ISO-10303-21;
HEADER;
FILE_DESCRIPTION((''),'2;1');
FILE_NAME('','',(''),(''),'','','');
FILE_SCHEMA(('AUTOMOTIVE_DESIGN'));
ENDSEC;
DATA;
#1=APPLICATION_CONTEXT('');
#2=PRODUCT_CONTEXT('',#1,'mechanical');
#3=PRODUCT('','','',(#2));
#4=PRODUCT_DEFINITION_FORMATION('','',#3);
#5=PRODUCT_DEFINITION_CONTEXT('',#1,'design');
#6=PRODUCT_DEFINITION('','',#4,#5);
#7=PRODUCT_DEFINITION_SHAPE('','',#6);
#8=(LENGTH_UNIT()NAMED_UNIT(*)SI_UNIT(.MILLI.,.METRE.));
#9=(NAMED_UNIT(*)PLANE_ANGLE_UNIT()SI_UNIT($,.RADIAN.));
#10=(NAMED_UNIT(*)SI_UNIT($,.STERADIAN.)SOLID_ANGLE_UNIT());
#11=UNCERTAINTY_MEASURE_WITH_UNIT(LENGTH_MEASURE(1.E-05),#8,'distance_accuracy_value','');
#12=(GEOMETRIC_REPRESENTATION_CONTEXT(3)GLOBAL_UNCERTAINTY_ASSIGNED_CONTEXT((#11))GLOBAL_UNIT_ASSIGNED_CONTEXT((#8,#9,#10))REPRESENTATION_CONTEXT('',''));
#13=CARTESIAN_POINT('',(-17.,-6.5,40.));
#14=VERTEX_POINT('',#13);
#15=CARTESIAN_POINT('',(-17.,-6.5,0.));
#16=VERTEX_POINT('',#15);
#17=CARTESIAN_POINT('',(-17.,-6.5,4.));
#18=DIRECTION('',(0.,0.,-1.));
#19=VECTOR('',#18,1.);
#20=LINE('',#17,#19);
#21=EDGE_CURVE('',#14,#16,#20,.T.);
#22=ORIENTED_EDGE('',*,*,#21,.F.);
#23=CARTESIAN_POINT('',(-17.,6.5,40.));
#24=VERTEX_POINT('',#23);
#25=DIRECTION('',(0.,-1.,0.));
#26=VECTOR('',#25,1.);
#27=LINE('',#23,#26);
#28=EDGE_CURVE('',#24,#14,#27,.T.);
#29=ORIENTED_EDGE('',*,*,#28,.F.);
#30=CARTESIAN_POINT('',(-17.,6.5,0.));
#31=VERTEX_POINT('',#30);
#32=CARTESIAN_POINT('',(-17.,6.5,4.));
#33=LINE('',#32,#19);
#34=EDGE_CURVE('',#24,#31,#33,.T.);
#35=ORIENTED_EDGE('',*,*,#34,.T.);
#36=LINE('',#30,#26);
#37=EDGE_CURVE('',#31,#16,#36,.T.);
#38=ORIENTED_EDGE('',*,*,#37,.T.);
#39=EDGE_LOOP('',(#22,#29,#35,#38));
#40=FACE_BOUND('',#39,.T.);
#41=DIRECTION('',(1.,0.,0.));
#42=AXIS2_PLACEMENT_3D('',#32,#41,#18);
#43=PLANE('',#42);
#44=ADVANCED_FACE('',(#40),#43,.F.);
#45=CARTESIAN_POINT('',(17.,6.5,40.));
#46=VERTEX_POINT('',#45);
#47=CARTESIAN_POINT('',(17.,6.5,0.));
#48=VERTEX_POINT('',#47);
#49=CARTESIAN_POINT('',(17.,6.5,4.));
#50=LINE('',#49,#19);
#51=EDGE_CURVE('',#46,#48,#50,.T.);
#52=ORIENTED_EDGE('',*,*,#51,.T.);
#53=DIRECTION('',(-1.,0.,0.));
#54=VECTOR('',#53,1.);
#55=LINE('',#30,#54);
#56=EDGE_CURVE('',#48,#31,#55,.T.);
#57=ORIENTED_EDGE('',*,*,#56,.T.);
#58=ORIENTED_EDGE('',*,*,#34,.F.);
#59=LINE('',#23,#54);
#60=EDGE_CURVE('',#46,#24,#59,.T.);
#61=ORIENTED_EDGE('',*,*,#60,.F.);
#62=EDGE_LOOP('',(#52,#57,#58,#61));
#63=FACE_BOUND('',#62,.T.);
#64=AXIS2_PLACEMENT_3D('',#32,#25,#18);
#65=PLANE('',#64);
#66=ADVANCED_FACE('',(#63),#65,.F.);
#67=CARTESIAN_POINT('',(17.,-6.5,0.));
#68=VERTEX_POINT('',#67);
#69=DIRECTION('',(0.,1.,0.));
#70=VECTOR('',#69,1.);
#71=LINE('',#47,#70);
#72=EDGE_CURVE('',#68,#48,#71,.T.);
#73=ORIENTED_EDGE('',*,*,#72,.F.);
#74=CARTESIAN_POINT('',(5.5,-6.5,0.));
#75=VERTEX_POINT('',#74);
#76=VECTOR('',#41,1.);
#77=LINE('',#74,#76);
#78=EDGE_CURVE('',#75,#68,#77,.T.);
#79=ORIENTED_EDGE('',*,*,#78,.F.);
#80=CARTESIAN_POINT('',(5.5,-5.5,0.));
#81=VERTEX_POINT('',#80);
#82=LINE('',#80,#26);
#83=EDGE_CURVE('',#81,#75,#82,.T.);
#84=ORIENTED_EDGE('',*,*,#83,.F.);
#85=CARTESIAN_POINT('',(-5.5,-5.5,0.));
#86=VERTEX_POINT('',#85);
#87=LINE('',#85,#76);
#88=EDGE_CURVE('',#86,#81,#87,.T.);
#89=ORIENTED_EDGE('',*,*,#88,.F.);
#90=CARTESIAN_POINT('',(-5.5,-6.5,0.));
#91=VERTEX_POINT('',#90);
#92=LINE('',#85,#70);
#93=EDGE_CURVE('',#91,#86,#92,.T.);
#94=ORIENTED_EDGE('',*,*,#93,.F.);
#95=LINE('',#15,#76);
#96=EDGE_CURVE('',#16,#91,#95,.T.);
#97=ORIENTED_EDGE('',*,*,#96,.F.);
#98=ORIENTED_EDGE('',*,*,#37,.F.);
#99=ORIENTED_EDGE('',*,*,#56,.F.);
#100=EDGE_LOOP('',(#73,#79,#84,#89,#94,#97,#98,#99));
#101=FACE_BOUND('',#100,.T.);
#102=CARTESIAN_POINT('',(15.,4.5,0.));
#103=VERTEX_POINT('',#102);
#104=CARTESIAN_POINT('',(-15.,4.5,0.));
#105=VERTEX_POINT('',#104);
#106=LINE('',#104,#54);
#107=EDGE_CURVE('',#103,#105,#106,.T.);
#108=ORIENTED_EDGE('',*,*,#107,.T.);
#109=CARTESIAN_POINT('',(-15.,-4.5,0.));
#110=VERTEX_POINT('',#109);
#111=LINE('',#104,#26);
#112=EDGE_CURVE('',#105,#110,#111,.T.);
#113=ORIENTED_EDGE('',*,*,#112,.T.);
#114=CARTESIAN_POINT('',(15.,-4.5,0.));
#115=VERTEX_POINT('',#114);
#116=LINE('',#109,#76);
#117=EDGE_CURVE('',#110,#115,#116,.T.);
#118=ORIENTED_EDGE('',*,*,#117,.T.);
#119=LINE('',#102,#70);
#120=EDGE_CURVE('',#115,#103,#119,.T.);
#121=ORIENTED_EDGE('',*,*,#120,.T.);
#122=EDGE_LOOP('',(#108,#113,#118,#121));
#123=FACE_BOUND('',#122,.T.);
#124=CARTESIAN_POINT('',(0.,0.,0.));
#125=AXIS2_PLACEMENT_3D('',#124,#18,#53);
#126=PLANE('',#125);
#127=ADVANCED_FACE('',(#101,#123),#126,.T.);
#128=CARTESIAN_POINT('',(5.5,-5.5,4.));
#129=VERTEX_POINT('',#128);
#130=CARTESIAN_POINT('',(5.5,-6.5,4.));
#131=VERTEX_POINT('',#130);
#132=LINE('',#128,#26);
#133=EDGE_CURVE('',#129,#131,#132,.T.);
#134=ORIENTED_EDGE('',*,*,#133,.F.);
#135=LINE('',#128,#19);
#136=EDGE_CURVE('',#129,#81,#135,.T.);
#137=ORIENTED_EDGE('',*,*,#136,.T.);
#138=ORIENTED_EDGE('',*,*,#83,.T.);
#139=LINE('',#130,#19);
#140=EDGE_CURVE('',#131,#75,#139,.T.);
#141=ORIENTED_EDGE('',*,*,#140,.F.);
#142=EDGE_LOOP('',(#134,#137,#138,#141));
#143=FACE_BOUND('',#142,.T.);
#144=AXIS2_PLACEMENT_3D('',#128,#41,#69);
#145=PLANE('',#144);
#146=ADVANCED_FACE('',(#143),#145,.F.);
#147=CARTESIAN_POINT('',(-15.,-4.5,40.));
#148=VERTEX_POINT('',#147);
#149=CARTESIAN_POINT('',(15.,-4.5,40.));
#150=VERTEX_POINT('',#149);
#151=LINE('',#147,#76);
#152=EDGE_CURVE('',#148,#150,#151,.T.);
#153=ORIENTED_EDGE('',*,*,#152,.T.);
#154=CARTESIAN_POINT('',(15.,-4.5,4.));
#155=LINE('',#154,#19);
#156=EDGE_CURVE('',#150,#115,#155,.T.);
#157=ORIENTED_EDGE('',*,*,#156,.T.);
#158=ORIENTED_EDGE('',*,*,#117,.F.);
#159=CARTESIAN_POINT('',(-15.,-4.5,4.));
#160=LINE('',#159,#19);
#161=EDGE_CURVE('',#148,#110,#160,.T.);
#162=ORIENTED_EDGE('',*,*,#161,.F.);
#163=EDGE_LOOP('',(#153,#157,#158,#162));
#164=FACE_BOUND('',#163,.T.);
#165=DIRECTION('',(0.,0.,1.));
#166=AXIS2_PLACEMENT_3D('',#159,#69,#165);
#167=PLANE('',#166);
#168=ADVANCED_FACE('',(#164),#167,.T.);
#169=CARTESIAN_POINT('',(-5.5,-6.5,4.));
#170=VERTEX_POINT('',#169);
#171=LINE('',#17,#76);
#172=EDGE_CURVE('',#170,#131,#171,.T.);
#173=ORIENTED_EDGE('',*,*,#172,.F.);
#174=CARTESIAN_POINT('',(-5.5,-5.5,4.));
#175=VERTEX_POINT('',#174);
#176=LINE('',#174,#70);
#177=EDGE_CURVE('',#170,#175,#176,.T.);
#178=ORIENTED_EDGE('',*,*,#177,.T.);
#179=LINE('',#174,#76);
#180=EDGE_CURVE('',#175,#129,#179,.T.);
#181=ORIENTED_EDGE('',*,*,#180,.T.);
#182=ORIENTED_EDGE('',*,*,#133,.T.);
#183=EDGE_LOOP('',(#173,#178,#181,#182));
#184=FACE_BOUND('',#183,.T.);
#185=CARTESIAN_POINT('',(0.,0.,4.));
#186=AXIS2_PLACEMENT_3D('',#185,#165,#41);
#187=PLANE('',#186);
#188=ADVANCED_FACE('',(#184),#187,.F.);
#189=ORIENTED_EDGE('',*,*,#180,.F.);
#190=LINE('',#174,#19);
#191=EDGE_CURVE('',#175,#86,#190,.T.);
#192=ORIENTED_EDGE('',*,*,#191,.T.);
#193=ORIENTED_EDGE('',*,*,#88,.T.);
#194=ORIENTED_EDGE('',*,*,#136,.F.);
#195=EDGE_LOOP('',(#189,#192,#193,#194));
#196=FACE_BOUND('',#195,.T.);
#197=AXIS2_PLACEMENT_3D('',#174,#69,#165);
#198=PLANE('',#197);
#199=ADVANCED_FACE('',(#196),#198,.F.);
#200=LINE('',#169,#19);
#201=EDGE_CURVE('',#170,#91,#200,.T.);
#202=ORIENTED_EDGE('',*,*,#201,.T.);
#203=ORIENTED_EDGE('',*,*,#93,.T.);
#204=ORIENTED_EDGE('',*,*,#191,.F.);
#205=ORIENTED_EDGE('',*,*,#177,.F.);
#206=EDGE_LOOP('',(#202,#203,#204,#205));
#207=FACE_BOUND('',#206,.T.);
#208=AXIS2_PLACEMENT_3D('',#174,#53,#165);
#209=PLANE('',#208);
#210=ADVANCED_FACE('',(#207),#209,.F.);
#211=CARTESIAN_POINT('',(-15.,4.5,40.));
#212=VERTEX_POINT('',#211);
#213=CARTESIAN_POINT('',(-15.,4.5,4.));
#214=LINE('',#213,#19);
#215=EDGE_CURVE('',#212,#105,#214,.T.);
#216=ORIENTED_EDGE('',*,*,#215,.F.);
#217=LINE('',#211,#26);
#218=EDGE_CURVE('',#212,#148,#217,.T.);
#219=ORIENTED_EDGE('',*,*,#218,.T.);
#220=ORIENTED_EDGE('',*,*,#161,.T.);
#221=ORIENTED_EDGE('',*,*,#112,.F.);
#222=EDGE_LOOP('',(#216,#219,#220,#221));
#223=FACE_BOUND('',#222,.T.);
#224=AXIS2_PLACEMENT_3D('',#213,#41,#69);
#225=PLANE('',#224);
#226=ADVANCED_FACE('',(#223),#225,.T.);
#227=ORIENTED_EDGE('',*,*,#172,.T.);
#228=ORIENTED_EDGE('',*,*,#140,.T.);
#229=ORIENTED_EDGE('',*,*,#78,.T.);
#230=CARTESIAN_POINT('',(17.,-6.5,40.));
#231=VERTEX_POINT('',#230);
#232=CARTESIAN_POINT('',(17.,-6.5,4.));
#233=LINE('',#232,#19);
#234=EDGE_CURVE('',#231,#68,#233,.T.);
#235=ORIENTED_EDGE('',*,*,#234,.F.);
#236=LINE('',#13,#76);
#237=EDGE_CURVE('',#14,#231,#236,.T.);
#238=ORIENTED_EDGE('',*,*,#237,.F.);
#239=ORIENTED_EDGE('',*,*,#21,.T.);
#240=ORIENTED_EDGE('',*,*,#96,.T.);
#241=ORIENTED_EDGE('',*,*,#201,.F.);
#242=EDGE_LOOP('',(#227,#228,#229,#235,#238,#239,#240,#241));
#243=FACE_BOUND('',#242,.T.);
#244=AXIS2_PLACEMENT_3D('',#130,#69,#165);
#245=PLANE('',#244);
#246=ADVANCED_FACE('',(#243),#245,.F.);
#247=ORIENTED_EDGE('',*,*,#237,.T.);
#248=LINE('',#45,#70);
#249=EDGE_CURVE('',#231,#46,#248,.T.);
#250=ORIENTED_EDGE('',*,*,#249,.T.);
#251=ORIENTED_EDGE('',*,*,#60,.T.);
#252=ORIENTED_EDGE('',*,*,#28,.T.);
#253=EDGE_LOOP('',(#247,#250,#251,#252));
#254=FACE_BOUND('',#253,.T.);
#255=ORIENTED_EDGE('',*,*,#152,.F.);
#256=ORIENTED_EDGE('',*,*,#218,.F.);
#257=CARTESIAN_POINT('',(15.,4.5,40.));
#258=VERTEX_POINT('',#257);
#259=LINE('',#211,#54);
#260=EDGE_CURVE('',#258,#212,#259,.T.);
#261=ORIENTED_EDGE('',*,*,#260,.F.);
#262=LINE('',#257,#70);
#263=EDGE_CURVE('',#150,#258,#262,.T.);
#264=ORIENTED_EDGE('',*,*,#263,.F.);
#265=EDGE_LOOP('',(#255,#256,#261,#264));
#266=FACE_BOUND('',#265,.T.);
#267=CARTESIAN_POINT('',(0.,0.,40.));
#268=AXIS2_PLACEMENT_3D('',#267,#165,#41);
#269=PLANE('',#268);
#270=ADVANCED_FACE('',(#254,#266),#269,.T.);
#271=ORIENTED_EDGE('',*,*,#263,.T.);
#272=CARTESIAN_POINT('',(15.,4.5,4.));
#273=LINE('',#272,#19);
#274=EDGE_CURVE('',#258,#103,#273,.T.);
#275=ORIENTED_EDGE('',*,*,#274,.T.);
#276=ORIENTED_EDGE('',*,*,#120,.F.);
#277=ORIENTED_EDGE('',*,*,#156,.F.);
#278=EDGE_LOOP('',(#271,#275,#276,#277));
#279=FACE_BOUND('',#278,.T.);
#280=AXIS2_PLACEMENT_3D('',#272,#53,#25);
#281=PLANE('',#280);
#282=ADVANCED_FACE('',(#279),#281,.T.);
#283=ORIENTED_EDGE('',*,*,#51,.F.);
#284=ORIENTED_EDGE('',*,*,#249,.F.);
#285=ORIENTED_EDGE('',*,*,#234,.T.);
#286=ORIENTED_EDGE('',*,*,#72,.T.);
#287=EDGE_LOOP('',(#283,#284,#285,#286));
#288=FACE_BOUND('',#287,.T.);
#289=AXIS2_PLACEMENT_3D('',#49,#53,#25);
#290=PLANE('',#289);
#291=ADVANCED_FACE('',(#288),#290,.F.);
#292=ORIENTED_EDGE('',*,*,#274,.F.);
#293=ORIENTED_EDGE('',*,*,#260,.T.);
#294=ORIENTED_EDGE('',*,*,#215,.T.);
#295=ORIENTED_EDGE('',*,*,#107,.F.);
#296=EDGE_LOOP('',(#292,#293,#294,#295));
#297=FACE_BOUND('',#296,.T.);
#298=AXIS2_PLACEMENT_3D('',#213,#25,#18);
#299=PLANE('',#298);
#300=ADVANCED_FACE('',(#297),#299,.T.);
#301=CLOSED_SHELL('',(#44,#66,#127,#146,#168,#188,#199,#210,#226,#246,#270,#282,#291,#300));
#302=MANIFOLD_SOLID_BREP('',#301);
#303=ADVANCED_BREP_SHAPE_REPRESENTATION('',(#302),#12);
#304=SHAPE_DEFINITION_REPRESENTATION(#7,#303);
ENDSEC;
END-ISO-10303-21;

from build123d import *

# Parameters (mm, degrees)
SKETCH1_W           = 30
SKETCH1_H           = 9
BOSS_EXTRUDE1_DEPTH = 4
SKETCH2_W           = 34
SKETCH2_H           = 13
SKETCH2_W_2         = 30
SKETCH2_H_2         = 9
BOSS_EXTRUDE2_DEPTH = 36


with BuildPart() as part:
    # Sketch1 → Boss-Extrude1 (new body)
    with BuildSketch(Plane.XY):
        Polygon((-17, 6.5), (-17, -6.5), (-5.5, -6.5), (-5.5, -5.5), (5.5, -5.5), (5.5, -6.5), (17, -6.5), (17, 6.5), align=None)
        Rectangle(SKETCH1_W, SKETCH1_H, mode=Mode.SUBTRACT)
    extrude(amount=BOSS_EXTRUDE1_DEPTH)

    # Sketch2 → Boss-Extrude2 (add)
    with BuildSketch(Plane.XY.offset(4)):
        Rectangle(SKETCH2_W, SKETCH2_H)
        Rectangle(SKETCH2_W_2, SKETCH2_H_2, mode=Mode.SUBTRACT)
    extrude(amount=BOSS_EXTRUDE2_DEPTH)


solid = part.part
